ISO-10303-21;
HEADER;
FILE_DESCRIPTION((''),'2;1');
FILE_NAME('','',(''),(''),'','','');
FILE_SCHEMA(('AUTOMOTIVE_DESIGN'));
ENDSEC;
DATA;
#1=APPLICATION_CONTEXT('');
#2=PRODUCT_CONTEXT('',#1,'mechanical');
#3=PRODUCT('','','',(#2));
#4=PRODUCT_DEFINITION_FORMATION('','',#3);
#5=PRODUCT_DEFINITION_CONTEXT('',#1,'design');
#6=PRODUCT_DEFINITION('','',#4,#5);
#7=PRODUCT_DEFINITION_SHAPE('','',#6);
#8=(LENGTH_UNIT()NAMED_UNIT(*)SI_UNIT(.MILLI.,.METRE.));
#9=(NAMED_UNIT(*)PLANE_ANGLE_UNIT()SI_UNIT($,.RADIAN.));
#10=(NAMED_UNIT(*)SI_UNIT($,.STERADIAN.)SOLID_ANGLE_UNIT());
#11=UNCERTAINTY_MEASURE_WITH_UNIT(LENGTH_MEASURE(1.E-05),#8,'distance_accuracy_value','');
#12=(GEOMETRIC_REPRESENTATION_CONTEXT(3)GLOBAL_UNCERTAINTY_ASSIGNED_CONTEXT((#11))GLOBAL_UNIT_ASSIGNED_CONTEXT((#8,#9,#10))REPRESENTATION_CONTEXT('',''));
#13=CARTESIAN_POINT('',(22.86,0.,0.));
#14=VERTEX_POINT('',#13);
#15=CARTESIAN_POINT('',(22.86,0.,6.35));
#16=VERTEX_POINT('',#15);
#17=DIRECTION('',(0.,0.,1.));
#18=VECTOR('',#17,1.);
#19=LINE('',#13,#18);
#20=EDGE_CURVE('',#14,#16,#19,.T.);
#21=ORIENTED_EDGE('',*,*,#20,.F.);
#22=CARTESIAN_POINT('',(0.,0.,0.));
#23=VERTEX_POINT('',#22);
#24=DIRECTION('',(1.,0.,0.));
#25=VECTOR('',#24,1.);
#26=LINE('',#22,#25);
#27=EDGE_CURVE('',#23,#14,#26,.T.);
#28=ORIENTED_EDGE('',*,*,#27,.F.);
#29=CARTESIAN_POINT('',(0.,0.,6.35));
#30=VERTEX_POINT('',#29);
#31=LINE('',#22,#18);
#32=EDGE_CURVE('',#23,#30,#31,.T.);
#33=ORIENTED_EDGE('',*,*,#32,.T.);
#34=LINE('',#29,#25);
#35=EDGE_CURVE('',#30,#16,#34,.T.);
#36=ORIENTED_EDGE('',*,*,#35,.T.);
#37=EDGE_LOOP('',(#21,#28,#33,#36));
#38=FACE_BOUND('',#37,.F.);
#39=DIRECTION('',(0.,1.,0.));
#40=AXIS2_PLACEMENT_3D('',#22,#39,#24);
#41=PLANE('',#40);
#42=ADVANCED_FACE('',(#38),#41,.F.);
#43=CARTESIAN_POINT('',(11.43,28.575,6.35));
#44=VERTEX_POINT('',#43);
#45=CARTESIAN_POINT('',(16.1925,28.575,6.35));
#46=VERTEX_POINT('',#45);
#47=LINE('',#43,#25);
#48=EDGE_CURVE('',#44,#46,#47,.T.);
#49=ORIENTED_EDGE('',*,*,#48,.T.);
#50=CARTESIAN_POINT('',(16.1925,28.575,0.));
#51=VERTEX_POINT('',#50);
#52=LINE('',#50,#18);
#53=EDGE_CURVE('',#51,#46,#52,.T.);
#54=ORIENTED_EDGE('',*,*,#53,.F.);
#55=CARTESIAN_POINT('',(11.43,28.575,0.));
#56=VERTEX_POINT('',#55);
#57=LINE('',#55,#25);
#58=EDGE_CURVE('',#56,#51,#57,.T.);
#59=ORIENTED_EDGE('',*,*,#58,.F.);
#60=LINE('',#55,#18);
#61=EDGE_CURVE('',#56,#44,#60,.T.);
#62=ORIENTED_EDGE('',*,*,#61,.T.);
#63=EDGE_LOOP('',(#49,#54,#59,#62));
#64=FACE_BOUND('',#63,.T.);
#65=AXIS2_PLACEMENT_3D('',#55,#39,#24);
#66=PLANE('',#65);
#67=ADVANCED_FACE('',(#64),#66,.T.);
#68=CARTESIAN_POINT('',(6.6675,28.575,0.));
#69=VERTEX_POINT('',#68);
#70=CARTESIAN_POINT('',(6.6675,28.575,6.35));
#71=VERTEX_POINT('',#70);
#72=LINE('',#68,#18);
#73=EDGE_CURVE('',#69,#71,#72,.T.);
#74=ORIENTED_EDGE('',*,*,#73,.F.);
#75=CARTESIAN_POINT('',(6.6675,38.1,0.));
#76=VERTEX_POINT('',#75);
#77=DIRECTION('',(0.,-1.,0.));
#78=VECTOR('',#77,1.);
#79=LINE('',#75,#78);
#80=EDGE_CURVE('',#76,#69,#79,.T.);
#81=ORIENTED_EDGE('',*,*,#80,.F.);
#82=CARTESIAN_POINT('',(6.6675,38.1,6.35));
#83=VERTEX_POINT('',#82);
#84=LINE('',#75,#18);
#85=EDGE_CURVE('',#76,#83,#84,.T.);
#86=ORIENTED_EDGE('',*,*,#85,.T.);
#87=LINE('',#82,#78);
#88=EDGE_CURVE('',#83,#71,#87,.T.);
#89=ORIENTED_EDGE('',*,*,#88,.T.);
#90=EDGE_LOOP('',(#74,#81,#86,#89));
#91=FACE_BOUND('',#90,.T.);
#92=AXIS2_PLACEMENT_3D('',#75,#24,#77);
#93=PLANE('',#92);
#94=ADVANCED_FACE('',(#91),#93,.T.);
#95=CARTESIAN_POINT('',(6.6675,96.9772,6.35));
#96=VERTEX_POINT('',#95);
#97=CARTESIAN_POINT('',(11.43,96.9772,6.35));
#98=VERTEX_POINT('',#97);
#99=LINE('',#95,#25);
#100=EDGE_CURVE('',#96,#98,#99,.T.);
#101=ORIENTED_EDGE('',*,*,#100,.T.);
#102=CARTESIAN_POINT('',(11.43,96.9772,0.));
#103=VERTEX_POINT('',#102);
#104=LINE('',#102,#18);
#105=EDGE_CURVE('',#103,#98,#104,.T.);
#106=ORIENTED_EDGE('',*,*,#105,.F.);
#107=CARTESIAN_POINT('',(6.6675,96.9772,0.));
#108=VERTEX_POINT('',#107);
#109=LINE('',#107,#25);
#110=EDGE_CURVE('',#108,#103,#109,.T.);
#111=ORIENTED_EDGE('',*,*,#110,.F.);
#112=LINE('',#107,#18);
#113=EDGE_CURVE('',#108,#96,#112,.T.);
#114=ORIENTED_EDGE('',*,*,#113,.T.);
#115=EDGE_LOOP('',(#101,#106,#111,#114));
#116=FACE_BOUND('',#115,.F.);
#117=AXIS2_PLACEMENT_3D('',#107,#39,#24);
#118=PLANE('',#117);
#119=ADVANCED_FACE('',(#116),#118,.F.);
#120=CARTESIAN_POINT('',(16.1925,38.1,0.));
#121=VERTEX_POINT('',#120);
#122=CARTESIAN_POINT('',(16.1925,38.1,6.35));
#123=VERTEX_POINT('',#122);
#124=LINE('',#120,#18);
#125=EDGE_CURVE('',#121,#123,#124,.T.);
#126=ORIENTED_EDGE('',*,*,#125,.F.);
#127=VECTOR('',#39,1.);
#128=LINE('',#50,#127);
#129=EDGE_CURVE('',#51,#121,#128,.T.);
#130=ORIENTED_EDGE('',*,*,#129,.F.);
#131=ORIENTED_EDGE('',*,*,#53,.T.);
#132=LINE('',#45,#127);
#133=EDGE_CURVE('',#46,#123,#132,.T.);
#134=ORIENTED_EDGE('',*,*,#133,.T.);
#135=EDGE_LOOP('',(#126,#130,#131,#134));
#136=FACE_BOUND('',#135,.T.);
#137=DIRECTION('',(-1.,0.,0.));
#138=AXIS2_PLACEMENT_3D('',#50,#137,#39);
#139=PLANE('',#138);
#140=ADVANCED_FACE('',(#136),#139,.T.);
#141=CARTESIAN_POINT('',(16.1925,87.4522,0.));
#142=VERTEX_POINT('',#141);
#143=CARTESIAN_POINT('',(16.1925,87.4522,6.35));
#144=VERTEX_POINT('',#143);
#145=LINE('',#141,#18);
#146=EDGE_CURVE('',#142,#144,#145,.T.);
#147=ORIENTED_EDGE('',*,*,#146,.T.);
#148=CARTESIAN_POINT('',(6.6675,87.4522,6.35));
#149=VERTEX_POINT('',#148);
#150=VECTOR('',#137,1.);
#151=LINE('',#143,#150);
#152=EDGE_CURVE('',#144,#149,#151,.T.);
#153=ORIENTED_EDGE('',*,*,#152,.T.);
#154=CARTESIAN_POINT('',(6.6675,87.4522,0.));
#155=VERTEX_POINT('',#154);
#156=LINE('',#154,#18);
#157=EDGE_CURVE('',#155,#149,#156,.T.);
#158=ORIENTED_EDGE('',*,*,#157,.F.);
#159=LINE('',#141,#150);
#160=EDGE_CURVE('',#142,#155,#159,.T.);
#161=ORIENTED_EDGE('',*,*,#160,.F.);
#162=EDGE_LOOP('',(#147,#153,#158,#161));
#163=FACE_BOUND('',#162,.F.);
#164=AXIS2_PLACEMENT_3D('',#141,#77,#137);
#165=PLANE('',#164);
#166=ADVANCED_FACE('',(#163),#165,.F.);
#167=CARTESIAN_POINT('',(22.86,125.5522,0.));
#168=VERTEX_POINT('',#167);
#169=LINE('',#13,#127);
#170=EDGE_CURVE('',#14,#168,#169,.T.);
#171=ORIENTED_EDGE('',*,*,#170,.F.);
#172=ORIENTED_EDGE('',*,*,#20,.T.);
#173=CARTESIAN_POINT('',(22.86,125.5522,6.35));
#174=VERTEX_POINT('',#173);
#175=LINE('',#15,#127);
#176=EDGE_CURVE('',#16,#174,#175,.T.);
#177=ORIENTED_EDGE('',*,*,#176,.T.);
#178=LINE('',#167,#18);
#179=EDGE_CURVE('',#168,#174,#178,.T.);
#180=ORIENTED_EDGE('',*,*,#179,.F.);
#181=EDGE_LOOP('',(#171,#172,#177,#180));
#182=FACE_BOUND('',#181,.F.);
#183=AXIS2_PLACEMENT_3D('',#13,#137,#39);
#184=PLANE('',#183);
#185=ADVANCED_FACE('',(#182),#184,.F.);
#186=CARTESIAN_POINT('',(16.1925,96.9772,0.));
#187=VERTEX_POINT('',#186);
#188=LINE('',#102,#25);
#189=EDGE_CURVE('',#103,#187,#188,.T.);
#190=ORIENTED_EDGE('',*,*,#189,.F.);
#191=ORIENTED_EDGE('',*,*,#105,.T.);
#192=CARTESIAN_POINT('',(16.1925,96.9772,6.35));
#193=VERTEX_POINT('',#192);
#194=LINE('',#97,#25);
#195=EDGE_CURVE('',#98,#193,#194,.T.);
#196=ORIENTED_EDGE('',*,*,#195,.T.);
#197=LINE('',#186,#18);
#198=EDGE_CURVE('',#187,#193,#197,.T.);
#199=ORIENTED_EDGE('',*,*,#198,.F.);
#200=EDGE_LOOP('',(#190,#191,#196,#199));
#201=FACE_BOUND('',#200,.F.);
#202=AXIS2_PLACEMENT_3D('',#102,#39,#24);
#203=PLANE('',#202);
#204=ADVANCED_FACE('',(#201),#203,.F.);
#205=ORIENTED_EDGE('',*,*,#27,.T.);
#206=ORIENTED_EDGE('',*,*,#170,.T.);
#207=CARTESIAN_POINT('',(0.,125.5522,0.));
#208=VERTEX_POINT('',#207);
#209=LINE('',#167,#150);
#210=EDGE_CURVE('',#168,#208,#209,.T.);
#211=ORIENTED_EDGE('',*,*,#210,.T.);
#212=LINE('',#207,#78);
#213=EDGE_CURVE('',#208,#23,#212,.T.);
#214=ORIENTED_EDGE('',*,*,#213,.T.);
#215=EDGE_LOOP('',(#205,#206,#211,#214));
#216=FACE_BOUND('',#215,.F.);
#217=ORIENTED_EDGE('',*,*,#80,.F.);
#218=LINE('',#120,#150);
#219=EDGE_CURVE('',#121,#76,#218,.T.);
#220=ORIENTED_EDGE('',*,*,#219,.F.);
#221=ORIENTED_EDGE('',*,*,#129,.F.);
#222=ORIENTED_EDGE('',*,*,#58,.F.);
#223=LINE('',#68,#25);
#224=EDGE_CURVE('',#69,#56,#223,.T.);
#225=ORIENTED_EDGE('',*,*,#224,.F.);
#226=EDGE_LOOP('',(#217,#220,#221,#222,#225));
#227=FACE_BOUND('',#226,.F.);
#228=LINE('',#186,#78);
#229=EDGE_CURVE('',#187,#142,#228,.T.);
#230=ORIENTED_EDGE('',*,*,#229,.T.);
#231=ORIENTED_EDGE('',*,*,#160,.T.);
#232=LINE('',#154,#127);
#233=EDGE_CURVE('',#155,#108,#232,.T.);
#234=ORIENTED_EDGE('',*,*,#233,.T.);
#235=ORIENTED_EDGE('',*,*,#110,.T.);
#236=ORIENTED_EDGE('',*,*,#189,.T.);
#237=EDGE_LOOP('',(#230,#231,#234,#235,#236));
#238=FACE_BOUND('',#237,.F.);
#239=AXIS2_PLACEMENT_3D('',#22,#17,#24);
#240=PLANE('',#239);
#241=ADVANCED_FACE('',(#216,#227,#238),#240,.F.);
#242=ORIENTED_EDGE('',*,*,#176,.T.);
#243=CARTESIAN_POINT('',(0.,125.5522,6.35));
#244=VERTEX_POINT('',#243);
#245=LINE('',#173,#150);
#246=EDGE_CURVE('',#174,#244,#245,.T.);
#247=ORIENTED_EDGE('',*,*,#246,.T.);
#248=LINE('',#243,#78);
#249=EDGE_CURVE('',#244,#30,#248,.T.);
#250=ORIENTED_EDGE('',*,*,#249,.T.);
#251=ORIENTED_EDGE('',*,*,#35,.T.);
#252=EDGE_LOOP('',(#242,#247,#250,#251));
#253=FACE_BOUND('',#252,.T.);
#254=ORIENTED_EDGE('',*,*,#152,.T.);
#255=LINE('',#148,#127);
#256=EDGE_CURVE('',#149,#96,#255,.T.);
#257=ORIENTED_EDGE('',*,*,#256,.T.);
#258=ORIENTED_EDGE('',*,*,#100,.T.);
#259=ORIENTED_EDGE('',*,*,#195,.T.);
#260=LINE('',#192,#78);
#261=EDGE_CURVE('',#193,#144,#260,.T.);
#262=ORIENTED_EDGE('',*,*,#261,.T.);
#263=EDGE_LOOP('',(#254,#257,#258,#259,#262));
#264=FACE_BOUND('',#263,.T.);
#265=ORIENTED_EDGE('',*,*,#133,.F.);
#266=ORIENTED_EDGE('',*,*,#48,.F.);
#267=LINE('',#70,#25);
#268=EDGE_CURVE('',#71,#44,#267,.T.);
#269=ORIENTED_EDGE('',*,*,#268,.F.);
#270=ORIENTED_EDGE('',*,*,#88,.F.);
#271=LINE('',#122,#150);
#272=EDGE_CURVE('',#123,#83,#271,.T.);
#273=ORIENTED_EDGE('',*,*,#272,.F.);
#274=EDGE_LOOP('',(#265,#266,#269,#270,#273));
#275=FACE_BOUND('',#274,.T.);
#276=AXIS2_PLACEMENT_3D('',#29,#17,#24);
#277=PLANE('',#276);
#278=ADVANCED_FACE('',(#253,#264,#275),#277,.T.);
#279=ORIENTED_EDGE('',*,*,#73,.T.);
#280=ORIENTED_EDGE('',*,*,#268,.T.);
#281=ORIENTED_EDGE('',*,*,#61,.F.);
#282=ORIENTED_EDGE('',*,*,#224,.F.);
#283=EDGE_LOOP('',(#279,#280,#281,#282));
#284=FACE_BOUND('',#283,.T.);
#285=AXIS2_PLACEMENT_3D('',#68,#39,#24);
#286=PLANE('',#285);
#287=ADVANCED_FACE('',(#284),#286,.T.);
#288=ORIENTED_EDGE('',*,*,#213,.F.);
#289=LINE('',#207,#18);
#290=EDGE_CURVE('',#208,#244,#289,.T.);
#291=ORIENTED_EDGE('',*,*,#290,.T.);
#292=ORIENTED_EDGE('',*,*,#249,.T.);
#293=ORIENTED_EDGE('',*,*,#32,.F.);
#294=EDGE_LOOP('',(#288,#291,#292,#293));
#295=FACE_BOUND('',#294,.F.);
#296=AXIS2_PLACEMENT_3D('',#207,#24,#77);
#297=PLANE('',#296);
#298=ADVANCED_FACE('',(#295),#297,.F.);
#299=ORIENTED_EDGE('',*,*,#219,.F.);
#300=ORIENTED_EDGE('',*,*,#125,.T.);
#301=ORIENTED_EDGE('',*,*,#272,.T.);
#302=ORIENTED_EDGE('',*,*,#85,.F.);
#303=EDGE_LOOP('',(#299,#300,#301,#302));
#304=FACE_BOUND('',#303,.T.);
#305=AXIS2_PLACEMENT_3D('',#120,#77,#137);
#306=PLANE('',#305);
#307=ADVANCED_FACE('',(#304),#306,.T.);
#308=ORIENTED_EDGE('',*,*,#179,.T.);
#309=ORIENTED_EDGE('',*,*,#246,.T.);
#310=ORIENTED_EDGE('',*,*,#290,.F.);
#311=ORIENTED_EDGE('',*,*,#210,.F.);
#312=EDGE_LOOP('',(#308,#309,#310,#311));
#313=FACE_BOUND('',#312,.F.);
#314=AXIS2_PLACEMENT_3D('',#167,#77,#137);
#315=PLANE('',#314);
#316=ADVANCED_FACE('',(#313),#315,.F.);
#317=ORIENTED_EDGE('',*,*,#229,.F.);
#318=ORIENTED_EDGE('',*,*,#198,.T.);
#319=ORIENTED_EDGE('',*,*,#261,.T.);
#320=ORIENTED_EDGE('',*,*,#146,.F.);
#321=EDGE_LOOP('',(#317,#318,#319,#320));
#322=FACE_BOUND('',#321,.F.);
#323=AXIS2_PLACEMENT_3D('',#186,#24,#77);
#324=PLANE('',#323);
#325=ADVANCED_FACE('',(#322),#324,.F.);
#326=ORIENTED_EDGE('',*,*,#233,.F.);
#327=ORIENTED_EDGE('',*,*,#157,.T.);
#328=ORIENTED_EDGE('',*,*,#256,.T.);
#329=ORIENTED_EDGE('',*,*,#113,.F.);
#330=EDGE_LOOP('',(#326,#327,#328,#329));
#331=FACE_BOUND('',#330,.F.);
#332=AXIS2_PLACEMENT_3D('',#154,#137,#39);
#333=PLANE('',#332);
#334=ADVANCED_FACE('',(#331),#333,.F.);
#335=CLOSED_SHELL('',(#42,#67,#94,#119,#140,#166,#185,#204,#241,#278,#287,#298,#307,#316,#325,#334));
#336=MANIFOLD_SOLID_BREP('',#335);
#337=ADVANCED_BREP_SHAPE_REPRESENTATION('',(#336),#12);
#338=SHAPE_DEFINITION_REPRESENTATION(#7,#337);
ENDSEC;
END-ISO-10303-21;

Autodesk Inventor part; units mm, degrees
ref_plane "YZ Plane" through (0, 0, 0) normal (1, 0, 0) x (0, 1, 0)
ref_plane "XZ Plane" through (0, 0, 0) normal (0, 1, 0) x (-1, 0, 0)
ref_plane "XY Plane" through (0, 0, 0) normal (0, 0, 1) x (1, 0, 0)
sketch "Sketch1" plane through (0, 0, 0) normal (0, 0, 1) x (1, 0, 0)
  line L0 (0, 0) -> (22.86, 0)
  line L1 (22.86, 0) -> (22.86, 125.5522)
  line L2 (22.86, 125.5522) -> (0, 125.5522)
  line L3 (0, 125.5522) -> (0, 0)
  line L4 (0, 62.7761) -> (22.86, 62.7761) construction
  line L5 (11.43, 96.9772) -> (16.1925, 96.9772)
  line L6 (16.1925, 96.9772) -> (16.1925, 87.4522)
  line L7 (16.1925, 87.4522) -> (6.6675, 87.4522)
  line L8 (6.6675, 87.4522) -> (6.6675, 96.9772)
  line L9 (6.6675, 96.9772) -> (11.43, 96.9772)
  line L10 (11.43, 28.575) -> (16.1925, 28.575)
  line L11 (16.1925, 28.575) -> (16.1925, 38.1)
  line L12 (16.1925, 38.1) -> (6.6675, 38.1)
  line L13 (6.6675, 38.1) -> (6.6675, 28.575)
  line L14 (6.6675, 28.575) -> (11.43, 28.575)
  dimension "d0" = 22.86
  dimension "d1" = 125.5522
  dimension "d13" = 4.7625
  dimension "d14" = 9.525
  dimension "d15" = 9.525
  dimension "d16" = 28.575
  dimension "d17" = 6.6675
extrude "Extrusion2" add sketch "Sketch1" along normal blind 6.35
properties part number "HopperSupportRod_v1"
